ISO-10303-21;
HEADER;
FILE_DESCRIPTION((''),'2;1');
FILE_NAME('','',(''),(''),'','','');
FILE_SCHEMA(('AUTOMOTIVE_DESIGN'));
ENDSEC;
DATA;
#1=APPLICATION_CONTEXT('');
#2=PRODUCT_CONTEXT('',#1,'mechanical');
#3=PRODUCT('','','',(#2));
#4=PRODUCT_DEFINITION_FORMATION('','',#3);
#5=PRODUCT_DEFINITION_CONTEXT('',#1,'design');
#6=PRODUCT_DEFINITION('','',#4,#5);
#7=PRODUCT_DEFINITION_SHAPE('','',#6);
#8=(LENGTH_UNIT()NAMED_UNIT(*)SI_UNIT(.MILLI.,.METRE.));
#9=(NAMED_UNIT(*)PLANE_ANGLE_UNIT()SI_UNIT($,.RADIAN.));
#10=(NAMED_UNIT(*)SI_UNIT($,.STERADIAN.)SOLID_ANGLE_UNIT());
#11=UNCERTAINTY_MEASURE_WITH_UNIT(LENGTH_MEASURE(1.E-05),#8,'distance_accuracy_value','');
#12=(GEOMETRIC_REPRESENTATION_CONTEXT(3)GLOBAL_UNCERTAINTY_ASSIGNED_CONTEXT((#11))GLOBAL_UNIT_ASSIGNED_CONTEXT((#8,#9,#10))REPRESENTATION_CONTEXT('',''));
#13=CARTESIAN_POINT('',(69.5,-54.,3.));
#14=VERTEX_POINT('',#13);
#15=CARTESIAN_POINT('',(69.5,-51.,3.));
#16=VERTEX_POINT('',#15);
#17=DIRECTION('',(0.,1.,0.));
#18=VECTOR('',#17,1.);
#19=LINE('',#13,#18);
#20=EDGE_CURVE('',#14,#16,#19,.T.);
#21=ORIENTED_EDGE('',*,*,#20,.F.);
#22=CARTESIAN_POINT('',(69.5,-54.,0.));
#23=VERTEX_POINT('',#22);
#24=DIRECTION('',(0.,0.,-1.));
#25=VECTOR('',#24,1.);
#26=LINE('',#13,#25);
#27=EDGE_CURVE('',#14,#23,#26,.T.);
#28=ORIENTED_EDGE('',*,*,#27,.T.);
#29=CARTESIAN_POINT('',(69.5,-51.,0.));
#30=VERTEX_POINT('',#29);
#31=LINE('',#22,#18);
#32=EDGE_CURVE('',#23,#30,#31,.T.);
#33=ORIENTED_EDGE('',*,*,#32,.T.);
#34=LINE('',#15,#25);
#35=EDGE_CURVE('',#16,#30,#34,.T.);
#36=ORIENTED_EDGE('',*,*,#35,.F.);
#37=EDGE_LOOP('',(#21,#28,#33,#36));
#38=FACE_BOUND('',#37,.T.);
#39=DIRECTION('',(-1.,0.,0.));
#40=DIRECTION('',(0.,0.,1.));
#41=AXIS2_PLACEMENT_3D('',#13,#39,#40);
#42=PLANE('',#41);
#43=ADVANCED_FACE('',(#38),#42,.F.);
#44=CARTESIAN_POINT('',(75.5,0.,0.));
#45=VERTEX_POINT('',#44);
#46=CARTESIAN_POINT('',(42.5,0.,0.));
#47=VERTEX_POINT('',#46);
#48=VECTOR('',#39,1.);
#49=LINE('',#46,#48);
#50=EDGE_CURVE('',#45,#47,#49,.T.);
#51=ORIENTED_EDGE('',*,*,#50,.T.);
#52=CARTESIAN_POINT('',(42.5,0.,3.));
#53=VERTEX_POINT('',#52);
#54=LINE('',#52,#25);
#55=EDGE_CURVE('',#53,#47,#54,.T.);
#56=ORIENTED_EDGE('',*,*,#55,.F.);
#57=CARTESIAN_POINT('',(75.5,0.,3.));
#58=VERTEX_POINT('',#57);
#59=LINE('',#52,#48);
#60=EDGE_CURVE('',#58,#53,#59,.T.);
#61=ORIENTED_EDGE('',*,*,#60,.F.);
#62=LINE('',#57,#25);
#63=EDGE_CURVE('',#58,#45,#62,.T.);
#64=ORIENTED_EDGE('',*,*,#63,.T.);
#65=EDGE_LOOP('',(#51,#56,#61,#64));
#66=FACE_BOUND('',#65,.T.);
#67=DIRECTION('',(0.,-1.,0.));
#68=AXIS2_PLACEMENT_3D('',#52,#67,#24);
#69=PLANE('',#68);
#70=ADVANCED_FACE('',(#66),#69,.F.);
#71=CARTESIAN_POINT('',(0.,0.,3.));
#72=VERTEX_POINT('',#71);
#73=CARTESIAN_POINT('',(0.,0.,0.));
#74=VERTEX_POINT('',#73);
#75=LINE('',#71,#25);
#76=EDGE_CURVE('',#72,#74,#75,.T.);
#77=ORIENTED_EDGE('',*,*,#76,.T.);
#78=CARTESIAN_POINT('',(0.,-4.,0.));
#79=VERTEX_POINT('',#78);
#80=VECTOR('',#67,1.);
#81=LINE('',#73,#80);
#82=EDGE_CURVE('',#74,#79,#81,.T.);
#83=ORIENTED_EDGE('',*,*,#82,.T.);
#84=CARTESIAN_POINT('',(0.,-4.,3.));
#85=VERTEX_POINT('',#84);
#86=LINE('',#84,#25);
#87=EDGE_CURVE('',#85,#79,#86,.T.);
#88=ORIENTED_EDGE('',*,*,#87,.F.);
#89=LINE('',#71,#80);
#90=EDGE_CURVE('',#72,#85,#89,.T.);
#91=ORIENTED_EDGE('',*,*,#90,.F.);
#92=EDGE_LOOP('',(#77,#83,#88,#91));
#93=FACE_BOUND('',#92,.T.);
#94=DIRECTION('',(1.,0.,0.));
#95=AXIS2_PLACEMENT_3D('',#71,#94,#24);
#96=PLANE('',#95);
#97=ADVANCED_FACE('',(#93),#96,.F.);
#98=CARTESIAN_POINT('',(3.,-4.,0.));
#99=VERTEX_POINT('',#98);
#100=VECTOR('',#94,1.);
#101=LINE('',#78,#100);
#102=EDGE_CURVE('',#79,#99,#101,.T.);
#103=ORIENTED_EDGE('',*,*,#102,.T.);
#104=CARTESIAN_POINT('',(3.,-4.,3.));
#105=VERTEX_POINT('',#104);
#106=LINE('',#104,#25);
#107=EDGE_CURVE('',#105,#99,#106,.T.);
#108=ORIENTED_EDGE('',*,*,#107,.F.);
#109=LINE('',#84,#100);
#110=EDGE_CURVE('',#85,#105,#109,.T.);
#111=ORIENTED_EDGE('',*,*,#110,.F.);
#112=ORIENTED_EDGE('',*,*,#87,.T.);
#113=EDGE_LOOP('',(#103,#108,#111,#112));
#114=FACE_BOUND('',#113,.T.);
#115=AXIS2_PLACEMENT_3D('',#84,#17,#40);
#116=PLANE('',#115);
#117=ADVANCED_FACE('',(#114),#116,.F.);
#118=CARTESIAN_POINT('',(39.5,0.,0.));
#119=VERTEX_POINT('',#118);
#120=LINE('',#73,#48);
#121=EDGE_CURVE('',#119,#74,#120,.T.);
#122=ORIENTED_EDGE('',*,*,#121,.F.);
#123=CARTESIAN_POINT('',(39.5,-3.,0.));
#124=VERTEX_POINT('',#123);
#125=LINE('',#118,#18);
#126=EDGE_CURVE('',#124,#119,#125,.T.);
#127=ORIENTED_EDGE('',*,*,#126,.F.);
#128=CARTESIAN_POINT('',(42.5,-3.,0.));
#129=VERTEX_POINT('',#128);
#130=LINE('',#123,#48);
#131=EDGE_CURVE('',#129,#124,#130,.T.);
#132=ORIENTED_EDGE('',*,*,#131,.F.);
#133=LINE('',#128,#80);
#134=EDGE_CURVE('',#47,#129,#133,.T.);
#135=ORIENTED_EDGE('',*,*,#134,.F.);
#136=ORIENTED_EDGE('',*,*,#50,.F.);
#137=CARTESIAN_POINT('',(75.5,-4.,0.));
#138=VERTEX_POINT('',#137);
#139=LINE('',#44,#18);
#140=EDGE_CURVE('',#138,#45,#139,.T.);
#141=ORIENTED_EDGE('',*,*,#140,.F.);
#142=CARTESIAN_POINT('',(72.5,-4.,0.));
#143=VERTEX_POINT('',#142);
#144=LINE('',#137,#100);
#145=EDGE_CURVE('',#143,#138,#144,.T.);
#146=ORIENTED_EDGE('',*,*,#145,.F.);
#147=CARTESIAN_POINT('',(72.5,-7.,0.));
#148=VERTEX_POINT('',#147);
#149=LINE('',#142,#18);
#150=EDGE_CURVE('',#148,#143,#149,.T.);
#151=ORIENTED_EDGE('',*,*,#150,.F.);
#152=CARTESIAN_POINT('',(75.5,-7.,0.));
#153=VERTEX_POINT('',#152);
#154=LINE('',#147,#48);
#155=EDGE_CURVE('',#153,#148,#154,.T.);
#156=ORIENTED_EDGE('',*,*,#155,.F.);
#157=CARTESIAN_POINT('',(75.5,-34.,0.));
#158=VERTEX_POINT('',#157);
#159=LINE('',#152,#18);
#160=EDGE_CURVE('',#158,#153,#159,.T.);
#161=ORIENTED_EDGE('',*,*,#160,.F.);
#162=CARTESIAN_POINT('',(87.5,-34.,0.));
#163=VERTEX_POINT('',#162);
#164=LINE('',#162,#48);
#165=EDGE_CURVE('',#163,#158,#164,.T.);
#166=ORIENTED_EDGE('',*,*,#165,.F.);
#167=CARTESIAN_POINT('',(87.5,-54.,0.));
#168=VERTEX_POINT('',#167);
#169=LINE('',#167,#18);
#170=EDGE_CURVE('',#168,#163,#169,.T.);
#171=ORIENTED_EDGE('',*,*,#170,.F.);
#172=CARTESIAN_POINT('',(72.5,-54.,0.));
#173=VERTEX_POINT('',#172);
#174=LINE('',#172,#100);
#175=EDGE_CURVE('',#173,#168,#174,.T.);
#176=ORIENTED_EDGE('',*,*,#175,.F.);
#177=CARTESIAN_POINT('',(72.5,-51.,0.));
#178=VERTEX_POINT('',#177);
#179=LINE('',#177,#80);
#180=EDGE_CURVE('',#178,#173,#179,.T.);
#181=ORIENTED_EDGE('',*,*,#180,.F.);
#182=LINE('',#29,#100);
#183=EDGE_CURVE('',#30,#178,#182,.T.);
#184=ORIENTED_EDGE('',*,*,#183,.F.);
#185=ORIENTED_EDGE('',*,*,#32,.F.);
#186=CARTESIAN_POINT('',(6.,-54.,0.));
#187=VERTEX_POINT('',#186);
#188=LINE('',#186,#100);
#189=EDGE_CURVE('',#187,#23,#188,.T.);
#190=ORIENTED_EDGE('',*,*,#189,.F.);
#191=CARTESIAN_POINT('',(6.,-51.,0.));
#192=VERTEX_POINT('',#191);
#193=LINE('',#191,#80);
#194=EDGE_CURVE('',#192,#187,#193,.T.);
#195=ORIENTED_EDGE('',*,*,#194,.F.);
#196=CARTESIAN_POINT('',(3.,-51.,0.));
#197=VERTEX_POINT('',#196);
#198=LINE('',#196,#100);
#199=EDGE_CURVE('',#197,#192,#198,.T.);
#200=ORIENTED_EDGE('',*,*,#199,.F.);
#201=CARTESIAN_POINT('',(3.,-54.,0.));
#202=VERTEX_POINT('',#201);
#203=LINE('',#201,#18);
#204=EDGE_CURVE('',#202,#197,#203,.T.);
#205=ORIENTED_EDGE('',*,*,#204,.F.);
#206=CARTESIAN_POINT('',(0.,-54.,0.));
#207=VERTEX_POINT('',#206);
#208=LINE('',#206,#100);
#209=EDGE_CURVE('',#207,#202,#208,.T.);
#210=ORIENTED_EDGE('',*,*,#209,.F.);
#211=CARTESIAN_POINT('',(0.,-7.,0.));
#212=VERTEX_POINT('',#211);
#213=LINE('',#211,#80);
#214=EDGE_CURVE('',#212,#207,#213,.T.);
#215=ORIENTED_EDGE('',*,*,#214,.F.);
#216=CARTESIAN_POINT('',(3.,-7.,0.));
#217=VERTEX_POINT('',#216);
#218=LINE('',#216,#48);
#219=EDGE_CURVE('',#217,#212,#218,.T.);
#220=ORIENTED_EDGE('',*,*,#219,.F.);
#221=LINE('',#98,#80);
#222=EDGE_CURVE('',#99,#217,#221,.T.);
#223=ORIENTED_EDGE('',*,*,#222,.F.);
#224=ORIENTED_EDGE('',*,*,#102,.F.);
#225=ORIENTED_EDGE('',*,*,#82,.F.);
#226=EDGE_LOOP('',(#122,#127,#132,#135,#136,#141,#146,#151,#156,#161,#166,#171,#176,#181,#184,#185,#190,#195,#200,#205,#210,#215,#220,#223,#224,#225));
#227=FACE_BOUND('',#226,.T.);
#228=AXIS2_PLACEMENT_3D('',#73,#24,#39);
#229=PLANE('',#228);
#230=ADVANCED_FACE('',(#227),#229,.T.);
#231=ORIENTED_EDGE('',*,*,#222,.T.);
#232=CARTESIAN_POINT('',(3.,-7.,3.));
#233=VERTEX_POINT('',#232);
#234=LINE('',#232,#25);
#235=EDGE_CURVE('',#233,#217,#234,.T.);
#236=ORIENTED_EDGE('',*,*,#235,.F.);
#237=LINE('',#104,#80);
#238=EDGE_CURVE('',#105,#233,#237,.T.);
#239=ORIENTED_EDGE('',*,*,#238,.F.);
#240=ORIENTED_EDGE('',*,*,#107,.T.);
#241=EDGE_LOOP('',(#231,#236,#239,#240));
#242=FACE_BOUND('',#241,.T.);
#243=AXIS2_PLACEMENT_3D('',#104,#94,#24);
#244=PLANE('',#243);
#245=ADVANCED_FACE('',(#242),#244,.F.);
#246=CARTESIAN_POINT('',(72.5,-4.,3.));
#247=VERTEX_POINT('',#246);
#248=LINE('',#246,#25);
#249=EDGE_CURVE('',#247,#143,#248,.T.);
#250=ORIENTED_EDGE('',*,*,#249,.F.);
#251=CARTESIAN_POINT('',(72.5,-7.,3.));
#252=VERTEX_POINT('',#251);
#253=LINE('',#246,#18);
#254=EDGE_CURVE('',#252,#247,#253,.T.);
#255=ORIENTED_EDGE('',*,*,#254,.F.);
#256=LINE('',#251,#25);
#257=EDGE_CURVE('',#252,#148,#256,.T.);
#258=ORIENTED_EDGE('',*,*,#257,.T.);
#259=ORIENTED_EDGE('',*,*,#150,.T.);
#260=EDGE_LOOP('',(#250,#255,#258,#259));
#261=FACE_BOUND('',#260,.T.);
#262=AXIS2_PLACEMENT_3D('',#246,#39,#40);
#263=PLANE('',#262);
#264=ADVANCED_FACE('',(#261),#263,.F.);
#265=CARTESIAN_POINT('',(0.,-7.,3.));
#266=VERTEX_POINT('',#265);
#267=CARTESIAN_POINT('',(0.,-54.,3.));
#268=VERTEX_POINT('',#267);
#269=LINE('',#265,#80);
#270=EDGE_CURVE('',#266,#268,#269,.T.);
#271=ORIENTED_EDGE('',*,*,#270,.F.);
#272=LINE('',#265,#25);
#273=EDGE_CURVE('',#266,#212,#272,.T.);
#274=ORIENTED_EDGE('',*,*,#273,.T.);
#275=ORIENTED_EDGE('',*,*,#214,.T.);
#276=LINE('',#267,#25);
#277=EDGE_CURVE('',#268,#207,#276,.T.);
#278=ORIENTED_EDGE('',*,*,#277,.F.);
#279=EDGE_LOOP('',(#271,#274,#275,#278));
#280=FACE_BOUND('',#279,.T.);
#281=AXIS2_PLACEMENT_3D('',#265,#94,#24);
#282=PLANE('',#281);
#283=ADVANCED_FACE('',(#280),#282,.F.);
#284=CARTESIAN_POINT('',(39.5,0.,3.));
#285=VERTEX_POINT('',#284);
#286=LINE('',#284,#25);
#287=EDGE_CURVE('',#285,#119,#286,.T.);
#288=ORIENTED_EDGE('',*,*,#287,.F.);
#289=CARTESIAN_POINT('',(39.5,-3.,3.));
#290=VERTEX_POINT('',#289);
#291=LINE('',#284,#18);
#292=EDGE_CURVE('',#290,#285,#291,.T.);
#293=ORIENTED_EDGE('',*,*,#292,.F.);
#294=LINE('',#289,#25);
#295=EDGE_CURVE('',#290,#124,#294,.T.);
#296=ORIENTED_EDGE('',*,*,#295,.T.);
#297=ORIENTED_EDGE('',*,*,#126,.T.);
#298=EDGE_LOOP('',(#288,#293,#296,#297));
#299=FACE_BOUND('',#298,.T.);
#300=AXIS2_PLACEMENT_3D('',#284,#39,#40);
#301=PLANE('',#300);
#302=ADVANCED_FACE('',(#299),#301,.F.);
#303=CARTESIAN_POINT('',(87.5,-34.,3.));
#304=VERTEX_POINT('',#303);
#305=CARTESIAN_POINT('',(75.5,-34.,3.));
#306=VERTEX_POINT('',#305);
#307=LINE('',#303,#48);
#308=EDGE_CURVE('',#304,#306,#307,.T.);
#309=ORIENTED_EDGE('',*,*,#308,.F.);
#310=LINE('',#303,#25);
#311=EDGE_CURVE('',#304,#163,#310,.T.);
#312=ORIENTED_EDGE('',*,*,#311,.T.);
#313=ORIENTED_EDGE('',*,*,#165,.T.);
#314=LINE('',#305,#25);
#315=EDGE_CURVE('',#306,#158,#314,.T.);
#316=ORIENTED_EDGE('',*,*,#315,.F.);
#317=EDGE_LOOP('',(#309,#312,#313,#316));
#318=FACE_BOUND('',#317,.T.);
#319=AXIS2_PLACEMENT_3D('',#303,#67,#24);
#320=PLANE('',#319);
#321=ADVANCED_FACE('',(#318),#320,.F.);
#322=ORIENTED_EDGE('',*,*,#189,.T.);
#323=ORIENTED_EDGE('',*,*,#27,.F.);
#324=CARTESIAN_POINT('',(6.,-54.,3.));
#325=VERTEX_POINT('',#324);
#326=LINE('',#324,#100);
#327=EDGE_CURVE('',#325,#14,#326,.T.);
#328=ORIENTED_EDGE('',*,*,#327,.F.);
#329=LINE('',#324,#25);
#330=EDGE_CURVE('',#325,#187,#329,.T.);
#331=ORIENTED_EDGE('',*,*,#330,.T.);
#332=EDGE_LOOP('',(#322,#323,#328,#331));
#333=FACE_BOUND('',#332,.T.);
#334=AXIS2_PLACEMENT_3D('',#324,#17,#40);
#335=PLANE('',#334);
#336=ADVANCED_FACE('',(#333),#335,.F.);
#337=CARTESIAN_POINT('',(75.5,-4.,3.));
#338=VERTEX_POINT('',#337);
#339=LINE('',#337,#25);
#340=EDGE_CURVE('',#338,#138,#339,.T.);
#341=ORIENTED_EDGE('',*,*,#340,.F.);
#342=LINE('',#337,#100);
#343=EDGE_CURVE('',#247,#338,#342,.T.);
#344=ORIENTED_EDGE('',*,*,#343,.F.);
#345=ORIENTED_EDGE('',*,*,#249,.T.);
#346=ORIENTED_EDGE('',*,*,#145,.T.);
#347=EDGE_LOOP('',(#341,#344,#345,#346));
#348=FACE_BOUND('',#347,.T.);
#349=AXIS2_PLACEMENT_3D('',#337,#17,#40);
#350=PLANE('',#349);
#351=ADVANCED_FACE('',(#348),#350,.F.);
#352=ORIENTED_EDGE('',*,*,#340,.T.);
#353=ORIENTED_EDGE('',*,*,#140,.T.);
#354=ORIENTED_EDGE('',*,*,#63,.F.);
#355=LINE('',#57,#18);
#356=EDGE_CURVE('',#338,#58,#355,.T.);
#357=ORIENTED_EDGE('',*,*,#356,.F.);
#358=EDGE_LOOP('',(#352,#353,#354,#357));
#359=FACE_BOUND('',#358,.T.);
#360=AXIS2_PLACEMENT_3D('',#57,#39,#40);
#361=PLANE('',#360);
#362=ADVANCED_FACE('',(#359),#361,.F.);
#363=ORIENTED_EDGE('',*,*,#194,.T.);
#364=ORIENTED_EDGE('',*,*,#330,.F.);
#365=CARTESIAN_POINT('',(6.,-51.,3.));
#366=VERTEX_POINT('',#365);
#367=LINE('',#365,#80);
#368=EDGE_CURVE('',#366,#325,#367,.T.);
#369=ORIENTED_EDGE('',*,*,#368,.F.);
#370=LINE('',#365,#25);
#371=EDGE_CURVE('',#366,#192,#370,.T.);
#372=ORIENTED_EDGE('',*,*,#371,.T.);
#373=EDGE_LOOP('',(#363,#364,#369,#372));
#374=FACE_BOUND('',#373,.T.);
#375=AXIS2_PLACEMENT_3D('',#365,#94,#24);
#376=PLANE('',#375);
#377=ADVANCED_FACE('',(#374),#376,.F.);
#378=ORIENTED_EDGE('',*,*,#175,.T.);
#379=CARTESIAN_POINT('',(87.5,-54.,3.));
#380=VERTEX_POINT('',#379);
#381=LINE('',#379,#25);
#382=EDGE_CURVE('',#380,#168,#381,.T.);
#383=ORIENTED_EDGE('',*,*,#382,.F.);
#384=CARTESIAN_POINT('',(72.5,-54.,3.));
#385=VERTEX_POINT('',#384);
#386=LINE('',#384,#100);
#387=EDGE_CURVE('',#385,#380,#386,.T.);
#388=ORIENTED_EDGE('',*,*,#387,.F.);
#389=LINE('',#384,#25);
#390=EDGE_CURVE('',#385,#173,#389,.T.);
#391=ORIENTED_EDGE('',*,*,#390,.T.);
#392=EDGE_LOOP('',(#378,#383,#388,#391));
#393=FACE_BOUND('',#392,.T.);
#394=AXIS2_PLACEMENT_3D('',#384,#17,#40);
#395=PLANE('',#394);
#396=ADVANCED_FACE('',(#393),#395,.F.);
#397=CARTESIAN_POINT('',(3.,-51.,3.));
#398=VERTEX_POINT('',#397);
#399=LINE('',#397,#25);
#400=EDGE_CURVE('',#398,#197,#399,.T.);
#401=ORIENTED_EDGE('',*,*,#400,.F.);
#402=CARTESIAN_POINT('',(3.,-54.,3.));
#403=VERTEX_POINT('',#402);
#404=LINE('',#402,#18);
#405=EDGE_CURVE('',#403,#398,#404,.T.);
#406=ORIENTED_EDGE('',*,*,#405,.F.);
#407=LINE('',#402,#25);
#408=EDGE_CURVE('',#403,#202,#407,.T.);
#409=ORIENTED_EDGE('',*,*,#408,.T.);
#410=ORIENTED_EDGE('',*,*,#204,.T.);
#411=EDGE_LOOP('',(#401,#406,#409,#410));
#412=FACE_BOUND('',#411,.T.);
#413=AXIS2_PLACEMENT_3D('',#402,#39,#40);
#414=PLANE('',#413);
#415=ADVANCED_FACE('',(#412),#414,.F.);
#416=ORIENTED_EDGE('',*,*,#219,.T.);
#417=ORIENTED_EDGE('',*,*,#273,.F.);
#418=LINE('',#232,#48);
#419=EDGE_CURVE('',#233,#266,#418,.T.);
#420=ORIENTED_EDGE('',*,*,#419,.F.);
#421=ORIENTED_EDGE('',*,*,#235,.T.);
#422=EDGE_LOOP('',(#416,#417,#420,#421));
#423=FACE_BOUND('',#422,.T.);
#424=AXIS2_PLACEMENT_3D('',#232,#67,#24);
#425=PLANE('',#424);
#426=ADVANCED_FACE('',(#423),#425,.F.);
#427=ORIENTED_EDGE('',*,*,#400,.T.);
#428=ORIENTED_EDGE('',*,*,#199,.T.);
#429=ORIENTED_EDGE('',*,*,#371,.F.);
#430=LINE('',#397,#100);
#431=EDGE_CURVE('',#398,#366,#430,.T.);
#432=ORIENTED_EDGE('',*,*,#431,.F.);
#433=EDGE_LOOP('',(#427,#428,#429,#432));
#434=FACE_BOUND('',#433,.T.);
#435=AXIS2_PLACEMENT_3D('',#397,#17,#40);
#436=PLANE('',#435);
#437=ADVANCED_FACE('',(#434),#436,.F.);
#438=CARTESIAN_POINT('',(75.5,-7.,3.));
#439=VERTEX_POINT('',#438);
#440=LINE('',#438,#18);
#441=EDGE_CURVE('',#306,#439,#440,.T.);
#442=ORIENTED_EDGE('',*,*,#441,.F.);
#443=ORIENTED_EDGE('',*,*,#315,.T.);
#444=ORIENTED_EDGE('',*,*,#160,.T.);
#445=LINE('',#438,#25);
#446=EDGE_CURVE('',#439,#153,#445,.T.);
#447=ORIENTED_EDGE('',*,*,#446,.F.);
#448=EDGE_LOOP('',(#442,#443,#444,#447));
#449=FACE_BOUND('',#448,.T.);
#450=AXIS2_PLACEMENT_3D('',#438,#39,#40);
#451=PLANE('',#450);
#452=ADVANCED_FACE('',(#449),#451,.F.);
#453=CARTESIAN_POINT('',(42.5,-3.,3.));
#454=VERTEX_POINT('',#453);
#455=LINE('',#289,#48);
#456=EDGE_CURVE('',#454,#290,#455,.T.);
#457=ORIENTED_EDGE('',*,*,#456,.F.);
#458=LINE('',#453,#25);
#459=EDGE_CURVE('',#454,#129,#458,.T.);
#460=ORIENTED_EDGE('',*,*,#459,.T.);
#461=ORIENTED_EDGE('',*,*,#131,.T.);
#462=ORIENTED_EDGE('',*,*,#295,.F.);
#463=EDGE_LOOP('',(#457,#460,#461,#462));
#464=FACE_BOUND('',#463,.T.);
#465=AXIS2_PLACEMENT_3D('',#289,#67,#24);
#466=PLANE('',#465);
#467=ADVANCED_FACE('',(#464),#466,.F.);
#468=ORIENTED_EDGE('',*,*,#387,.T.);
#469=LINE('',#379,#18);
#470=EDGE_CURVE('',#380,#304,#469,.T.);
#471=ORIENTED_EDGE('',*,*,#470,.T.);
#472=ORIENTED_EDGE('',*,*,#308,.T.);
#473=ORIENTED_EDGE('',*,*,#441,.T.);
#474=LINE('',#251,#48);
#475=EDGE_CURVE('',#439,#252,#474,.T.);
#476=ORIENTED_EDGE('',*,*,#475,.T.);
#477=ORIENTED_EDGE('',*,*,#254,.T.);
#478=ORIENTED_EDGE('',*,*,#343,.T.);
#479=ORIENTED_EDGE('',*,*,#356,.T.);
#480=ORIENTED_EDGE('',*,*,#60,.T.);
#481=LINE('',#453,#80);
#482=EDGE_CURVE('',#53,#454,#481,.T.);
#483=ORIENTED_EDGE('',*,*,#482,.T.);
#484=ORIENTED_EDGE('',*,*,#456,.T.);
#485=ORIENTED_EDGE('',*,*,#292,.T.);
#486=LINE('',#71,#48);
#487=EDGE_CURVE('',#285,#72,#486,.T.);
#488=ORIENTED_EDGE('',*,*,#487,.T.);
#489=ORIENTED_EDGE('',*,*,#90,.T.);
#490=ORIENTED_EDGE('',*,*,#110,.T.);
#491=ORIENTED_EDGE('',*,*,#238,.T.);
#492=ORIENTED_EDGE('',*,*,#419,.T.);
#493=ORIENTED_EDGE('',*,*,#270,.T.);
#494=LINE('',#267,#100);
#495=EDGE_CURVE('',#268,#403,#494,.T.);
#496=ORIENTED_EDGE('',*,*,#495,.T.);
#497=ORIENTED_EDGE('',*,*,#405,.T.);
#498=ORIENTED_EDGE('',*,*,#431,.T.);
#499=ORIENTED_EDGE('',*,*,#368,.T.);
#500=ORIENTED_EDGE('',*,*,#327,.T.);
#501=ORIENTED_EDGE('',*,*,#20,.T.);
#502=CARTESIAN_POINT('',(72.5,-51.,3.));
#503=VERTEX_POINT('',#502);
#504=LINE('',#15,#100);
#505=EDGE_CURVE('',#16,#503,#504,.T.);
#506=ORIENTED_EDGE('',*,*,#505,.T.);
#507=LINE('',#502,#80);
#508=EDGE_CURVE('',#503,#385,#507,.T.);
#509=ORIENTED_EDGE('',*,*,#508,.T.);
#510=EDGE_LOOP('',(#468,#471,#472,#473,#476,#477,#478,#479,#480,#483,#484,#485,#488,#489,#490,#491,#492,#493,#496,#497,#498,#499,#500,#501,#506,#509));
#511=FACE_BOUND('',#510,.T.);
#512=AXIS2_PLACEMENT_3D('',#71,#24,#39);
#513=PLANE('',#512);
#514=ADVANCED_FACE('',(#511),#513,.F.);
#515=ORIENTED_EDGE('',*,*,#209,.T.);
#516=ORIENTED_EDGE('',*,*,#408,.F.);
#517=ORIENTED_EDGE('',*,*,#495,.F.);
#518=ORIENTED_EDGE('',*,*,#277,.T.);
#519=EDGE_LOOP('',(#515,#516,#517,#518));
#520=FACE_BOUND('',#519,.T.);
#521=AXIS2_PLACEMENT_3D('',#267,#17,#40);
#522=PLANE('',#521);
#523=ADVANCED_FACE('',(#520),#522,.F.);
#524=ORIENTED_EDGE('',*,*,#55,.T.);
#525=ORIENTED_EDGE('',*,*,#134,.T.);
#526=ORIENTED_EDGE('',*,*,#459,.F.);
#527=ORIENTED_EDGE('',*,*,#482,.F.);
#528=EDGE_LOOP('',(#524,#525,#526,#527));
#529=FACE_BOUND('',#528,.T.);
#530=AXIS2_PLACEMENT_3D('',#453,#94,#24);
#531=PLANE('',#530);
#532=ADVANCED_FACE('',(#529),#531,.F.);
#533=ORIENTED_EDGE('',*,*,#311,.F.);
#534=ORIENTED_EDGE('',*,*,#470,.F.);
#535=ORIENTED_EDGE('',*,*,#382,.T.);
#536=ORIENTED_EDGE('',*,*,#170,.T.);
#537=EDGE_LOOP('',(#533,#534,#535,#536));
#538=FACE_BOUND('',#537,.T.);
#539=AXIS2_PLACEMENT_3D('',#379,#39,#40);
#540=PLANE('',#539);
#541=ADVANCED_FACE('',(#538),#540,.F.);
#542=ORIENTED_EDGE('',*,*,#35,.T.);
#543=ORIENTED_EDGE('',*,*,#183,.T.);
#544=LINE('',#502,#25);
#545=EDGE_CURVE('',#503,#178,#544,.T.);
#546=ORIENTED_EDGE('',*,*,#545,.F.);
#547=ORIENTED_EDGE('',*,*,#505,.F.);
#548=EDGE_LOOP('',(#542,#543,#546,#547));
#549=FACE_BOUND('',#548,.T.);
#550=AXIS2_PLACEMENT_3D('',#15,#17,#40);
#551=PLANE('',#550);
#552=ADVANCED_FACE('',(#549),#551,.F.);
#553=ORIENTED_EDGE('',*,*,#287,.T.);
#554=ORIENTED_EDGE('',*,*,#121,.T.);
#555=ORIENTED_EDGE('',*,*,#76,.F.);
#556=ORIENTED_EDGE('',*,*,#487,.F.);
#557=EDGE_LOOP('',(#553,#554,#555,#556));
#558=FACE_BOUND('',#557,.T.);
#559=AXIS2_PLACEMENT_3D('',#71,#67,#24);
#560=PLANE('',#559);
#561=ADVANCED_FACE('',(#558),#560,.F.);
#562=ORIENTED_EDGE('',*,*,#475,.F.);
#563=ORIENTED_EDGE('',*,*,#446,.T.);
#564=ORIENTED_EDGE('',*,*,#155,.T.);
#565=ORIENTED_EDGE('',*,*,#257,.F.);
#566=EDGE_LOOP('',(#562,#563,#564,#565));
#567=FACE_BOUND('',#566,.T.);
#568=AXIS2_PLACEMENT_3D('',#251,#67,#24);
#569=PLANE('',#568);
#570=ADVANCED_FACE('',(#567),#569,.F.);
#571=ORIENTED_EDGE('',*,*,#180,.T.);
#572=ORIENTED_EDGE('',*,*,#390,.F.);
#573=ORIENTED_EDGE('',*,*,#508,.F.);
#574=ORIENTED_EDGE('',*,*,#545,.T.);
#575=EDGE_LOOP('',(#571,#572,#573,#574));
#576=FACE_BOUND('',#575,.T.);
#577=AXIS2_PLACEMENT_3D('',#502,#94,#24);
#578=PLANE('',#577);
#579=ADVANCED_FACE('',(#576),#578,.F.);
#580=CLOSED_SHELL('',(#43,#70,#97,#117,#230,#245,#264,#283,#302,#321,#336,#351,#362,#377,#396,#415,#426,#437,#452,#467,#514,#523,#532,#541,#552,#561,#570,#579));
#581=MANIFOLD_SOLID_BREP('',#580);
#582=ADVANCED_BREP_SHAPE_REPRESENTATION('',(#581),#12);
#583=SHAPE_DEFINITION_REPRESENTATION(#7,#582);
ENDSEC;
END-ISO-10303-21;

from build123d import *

# Parameters (mm, degrees)
EXTRUDE_1_DEPTH = 3


with BuildPart() as part:
    # 草图1 → 凸台-拉伸1 (new body)
    with BuildSketch(Plane.XY):
        Polygon((0, 0), (0, -4), (3, -4), (3, -7), (0, -7), (0, -54), (3, -54), (3, -51), (6, -51), (6, -54), (69.5, -54), (69.5, -51), (72.5, -51), (72.5, -54), (87.5, -54), (87.5, -34), (75.5, -34), (75.5, -7), (72.5, -7), (72.5, -4), (75.5, -4), (75.5, 0), (42.5, 0), (42.5, -3), (39.5, -3), (39.5, 0), align=None)
    extrude(amount=EXTRUDE_1_DEPTH)


solid = part.part
